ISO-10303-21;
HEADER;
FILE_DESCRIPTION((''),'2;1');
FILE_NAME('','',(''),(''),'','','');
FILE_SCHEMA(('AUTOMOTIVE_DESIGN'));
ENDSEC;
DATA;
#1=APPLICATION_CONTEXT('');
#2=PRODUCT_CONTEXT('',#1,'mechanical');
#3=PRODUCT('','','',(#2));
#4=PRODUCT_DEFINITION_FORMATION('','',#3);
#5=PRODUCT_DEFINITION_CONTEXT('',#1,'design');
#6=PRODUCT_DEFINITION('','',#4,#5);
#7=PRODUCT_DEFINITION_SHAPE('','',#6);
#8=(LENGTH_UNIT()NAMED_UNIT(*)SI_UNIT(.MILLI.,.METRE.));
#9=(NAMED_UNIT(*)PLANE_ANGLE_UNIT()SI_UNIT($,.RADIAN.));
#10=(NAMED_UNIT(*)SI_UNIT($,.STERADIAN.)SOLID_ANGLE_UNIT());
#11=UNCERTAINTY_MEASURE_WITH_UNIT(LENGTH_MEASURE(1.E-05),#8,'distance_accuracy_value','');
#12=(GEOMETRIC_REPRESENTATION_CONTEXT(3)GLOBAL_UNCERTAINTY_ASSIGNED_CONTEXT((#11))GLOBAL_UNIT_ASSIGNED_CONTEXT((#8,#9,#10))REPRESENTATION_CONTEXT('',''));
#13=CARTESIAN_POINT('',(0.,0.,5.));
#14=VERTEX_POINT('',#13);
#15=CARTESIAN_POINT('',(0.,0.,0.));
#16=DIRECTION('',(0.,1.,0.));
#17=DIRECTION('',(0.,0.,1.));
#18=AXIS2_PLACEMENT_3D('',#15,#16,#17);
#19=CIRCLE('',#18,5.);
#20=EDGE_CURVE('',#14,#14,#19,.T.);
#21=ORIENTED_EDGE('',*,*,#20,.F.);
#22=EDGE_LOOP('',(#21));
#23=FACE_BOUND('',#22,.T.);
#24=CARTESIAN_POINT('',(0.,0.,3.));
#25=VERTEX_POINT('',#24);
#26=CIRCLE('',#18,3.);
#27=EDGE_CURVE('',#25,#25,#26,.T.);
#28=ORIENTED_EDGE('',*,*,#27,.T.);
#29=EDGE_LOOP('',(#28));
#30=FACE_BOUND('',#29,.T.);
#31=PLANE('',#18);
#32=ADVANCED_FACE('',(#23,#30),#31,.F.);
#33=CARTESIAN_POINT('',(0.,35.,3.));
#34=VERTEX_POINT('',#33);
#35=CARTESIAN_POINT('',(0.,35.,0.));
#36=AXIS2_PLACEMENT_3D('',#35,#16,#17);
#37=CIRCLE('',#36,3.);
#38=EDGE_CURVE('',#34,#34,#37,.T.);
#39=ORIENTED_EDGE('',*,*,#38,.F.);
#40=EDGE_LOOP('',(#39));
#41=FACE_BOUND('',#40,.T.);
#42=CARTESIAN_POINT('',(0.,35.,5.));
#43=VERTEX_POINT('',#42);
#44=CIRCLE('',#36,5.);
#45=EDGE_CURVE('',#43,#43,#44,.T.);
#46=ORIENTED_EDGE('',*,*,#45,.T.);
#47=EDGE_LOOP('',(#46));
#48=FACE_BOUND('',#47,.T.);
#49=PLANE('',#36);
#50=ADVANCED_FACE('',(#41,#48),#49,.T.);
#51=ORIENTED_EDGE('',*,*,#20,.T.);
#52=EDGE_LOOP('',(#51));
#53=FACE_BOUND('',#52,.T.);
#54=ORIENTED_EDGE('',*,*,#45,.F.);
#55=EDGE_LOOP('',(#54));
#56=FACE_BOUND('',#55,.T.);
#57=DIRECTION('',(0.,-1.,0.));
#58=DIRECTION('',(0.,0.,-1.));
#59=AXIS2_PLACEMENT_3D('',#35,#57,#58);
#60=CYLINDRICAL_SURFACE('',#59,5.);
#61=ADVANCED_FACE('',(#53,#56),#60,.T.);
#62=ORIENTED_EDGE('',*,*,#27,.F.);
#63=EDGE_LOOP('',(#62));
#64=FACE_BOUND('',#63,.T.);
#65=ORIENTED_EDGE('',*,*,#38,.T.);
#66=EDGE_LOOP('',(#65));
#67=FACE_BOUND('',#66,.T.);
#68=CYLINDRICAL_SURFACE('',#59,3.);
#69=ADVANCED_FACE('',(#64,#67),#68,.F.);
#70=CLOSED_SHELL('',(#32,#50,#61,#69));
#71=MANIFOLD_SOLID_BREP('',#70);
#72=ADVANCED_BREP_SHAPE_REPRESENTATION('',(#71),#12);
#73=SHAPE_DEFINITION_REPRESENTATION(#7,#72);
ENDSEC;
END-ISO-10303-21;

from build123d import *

# Parameters (mm, degrees)
SKETCH1_R           = 5
SKETCH1_R_2         = 3
BOSS_EXTRUDE1_DEPTH = 35


with BuildPart() as part:
    # Sketch1 → Boss-Extrude1 (new body)
    with BuildSketch(Plane(origin=(0, 0, 0), x_dir=(1, 0, 0), z_dir=(0, 1, 0))):
        with Locations(Location((0, 0, 0), (0, 0, 270))):
            Circle(SKETCH1_R)
        with Locations(Location((0, 0, 0), (0, 0, 270))):
            Circle(SKETCH1_R_2, mode=Mode.SUBTRACT)
    extrude(amount=BOSS_EXTRUDE1_DEPTH)


solid = part.part
